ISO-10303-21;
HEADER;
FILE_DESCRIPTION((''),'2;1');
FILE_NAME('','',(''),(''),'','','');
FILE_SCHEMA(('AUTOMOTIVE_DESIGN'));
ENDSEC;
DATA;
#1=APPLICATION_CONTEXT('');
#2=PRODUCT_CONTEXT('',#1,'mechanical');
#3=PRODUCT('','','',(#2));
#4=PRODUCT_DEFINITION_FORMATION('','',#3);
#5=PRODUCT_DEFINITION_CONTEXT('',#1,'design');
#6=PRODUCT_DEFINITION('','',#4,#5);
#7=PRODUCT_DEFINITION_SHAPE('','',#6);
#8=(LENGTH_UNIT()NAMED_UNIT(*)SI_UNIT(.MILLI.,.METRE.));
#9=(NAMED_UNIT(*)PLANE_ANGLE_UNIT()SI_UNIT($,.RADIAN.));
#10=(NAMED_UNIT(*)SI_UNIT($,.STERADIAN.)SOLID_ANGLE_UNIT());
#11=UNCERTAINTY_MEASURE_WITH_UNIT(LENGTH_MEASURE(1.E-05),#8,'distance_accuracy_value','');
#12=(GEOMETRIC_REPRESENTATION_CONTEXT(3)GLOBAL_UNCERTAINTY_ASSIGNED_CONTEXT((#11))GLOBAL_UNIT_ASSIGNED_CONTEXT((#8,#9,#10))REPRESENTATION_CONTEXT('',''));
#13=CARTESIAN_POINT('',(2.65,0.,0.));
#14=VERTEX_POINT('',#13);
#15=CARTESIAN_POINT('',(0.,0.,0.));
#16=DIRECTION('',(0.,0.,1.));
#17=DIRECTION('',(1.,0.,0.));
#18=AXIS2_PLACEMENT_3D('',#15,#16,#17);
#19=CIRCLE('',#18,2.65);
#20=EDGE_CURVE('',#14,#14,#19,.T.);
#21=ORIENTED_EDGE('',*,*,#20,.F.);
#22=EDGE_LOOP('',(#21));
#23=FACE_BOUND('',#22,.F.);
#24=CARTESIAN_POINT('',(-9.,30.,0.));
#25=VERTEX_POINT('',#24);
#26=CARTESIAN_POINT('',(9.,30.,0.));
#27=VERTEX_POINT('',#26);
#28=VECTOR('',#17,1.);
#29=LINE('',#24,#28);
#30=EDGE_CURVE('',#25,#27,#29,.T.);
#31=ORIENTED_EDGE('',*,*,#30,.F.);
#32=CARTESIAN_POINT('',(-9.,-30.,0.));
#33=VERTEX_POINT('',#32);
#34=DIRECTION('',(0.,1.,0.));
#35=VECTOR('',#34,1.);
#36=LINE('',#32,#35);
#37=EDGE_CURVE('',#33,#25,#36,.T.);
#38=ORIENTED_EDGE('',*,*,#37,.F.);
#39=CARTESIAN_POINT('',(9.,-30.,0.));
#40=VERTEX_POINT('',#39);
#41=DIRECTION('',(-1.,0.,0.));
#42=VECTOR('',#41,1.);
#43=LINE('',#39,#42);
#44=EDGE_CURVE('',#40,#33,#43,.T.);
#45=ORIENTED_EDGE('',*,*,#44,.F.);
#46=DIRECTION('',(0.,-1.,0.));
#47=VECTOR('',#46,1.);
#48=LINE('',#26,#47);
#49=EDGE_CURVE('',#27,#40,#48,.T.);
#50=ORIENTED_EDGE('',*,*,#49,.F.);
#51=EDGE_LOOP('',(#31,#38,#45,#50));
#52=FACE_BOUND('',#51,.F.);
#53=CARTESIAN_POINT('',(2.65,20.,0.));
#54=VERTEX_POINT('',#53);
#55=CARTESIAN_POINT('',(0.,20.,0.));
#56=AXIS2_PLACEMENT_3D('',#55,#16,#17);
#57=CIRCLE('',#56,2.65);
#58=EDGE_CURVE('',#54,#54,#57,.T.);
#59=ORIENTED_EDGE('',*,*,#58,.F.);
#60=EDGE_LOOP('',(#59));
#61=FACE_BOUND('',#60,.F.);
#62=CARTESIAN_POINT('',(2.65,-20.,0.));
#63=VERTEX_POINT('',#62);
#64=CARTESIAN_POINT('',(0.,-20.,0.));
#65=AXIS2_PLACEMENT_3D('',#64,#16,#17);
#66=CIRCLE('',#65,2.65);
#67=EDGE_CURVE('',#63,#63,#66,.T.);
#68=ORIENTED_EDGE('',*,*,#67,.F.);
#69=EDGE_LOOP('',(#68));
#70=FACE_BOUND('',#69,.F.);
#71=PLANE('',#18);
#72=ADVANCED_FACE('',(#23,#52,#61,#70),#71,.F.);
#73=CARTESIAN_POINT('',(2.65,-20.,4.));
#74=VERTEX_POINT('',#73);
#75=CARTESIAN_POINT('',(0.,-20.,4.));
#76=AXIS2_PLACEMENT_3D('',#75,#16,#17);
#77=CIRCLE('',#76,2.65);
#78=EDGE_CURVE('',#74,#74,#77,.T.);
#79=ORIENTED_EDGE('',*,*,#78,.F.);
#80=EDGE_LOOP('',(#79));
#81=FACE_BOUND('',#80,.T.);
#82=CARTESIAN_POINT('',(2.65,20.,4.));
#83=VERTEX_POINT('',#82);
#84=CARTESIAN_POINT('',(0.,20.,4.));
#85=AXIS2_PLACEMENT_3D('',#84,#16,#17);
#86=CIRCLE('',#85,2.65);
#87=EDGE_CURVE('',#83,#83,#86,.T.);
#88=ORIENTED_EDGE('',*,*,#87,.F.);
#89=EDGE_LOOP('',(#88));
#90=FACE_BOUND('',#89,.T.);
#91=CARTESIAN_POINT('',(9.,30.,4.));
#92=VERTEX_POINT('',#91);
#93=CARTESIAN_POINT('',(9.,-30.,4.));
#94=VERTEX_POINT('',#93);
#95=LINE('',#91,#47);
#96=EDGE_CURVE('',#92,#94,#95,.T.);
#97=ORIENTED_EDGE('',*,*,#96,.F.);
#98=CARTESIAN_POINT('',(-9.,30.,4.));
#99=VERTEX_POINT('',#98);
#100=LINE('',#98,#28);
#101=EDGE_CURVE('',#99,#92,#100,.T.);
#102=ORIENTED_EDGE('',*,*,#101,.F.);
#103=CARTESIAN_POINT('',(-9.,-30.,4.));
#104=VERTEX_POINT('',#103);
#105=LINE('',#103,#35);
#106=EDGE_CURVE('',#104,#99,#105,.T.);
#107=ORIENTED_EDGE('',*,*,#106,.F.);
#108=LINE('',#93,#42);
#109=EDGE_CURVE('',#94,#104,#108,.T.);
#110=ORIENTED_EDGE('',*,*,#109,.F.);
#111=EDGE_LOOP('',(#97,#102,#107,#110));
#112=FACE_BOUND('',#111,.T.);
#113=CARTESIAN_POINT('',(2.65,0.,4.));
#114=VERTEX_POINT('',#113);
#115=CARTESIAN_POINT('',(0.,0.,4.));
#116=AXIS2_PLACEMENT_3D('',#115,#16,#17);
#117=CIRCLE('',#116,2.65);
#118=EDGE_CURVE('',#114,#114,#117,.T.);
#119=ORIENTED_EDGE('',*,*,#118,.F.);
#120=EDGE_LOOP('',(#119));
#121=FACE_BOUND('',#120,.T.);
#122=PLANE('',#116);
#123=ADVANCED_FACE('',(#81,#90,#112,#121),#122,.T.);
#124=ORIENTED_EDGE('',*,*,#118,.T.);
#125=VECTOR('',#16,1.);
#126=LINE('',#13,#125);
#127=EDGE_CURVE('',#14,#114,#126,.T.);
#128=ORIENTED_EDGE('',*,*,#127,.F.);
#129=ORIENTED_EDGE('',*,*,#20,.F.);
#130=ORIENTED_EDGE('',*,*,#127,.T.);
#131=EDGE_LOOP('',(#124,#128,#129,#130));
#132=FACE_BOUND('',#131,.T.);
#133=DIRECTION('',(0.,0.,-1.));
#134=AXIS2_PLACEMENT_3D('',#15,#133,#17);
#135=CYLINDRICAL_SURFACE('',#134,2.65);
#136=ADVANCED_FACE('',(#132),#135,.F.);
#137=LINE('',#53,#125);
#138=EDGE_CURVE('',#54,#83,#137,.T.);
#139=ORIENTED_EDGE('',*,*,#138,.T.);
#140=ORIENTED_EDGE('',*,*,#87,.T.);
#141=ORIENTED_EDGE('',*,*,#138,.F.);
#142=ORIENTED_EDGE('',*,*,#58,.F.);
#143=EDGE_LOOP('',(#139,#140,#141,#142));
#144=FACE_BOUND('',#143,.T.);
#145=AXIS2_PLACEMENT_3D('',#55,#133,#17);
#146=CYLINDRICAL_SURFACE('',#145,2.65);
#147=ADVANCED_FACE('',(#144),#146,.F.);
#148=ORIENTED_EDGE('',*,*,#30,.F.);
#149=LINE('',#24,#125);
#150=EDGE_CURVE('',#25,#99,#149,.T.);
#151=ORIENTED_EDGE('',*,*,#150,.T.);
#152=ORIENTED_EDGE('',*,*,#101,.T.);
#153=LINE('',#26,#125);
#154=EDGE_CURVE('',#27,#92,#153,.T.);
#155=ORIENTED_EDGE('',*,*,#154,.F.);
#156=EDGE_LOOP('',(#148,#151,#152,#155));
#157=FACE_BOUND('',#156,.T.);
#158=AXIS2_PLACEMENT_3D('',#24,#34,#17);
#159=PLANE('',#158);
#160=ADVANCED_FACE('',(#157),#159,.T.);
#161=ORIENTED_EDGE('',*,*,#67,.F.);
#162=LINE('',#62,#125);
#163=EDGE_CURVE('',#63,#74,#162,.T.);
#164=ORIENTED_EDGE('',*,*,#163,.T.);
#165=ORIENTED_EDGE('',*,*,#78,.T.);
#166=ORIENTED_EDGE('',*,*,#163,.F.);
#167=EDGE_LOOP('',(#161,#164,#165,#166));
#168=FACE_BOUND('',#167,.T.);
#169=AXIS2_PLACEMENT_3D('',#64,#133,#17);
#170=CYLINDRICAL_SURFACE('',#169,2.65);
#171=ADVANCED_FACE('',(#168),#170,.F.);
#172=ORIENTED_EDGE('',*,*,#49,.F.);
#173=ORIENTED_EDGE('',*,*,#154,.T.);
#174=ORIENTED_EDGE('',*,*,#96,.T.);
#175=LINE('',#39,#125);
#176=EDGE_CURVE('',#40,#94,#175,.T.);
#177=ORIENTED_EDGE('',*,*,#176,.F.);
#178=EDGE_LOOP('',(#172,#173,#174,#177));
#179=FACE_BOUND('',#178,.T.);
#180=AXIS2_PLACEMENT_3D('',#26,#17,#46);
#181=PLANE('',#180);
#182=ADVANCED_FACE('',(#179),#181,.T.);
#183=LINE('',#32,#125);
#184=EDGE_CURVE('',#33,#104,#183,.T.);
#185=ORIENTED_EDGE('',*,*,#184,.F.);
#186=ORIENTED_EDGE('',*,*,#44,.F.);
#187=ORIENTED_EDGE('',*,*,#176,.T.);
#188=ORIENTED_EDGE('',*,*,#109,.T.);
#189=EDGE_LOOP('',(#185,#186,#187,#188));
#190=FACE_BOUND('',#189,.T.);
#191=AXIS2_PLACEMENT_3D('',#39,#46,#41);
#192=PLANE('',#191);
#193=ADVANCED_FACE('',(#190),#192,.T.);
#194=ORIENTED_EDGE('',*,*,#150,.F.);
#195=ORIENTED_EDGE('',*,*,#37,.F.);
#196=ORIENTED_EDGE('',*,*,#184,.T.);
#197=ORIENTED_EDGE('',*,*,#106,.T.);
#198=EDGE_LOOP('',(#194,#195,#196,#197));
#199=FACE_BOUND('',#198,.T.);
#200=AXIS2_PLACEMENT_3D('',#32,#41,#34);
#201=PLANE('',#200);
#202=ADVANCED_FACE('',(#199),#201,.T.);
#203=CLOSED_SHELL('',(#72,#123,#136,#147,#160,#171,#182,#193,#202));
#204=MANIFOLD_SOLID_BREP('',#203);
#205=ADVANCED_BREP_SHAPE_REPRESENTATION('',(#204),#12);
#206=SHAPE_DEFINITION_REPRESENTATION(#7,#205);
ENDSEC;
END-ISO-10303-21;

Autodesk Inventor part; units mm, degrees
ref_plane "YZ Plane" through (0, 0, 0) normal (1, 0, 0) x (0, 1, 0)
ref_plane "XZ Plane" through (0, 0, 0) normal (0, 1, 0) x (-1, 0, 0)
ref_plane "XY Plane" through (0, 0, 0) normal (0, 0, 1) x (1, 0, 0)
sketch "Sketch1" plane through (0, 0, 0) normal (0, 0, 1) x (1, 0, 0)
  line L0 (-9, 30) -> (9, 30)
  line L1 (9, 30) -> (9, -30)
  line L2 (9, -30) -> (-9, -30)
  line L3 (-9, -30) -> (-9, 30)
  line L4 (-9, 30) -> (9, -30) construction
  line L5 (9, 30) -> (-9, -30) construction
  circle A0 centre (0, 0) radius 2.65
  circle A1 centre (0, 20) radius 2.65
  circle A2 centre (0, -20) radius 2.65
  dimension "d0" = 18
  dimension "d2" = 60
  dimension "d3" = 5.3
  dimension "d4" = 5.3
  dimension "d5" = 20
  dimension "d6" = 9
  dimension "d7" = 5.3
  dimension "d8" = 20
  dimension "d9" = 9
extrude "Extrusion1" add sketch "Sketch1" along normal blind 4
equation "\"d4\" = d3"
equation "\"d7\" = d3"
equation "\"d8\" = d5"
properties part number "3 Hole Joining Strip Plate" material "Aluminum 6061"
